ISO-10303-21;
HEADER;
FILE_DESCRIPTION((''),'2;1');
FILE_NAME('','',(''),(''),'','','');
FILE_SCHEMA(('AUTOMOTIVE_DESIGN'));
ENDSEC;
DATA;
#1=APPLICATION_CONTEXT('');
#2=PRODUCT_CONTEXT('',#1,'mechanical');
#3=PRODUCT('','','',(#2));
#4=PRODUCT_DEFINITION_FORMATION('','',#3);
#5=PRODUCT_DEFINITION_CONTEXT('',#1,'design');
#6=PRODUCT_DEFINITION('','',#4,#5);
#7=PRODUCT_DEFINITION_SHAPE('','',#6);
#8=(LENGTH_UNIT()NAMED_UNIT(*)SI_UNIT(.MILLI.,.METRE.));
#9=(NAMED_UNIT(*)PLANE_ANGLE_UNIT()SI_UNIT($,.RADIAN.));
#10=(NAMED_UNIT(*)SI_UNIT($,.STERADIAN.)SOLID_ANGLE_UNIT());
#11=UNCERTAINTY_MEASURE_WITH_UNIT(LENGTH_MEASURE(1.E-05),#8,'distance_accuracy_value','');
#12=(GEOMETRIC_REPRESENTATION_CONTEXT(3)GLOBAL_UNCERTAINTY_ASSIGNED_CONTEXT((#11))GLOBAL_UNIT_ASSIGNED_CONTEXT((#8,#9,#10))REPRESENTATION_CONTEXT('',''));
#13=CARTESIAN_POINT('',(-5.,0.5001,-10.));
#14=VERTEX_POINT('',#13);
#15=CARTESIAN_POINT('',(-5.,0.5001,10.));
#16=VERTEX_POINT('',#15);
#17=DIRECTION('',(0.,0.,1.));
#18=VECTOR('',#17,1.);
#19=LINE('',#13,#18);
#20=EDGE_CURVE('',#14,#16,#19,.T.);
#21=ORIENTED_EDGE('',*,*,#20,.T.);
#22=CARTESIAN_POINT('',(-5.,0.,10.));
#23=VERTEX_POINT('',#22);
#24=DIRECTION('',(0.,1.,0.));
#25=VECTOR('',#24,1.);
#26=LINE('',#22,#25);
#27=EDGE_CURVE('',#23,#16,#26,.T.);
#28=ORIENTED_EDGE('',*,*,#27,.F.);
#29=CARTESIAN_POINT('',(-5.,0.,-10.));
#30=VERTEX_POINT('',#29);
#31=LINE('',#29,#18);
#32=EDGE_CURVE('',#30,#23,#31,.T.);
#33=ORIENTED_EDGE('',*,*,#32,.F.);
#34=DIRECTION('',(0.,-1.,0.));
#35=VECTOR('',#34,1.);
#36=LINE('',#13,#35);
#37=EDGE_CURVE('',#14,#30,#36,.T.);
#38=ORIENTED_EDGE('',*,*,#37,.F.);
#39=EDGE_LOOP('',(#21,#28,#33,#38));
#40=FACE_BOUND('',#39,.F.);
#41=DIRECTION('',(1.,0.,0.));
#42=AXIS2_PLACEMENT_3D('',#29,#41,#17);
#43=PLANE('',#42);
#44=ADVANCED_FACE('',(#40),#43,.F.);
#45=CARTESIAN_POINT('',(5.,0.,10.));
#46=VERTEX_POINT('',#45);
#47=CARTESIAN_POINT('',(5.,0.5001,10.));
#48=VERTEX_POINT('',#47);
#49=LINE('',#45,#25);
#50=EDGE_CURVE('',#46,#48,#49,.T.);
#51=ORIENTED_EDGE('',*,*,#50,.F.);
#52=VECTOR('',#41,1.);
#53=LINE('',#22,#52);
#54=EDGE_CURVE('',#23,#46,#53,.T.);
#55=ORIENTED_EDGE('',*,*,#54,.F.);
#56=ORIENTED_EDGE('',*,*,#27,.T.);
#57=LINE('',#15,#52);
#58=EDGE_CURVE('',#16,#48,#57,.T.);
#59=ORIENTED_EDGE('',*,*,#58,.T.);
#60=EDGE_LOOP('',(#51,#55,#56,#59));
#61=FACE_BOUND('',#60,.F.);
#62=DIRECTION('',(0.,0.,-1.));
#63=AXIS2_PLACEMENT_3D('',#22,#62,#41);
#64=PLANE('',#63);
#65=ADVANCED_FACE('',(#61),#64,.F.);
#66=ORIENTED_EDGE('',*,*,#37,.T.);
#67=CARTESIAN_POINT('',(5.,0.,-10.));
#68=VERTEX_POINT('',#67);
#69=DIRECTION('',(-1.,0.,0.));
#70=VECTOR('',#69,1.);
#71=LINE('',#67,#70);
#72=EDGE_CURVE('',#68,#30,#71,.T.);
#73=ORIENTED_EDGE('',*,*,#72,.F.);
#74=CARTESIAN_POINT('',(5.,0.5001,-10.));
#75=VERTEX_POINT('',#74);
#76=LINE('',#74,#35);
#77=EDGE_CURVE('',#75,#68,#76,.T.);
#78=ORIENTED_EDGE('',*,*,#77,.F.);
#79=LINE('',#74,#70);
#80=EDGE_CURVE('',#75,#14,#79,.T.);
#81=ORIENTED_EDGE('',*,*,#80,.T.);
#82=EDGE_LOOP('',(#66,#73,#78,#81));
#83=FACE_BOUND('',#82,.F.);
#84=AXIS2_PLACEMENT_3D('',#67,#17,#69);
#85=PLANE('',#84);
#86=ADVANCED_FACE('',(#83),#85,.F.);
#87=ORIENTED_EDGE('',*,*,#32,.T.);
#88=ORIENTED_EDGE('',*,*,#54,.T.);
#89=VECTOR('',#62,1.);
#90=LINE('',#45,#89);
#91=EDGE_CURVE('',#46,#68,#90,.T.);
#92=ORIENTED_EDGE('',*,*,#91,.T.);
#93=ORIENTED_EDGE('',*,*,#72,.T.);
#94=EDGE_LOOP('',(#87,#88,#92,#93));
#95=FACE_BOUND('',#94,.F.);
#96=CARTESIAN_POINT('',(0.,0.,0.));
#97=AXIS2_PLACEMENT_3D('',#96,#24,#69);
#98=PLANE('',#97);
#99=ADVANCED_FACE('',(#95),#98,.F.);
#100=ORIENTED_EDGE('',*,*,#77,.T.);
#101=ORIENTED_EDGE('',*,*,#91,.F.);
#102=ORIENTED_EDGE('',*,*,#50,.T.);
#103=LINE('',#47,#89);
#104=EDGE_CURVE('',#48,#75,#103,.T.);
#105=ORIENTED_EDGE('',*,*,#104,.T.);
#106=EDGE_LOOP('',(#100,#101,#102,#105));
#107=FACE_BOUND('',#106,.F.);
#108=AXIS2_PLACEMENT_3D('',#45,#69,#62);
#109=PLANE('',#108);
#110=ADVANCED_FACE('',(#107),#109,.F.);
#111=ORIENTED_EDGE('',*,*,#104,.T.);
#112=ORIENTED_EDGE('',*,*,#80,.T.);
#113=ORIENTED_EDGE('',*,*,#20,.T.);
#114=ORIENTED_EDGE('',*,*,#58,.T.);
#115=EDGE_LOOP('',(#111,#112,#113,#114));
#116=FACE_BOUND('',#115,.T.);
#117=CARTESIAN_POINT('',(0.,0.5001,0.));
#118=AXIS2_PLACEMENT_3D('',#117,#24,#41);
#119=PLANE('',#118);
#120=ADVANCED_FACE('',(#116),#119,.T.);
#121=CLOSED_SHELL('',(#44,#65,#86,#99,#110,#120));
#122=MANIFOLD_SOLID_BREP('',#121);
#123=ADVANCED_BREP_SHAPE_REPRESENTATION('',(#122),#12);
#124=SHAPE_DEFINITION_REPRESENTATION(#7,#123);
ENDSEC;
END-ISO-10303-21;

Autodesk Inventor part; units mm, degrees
ref_plane "YZ Plane" through (0, 0, 0) normal (1, 0, 0) x (0, 1, 0)
ref_plane "XZ Plane" through (0, 0, 0) normal (0, 1, 0) x (-1, 0, 0)
ref_plane "XY Plane" through (0, 0, 0) normal (0, 0, 1) x (1, 0, 0)
sketch "Sketch1" plane through (0, 0, 0) normal (0, 1, 0) x (-1, 0, 0)
  line L0 (5, 10) -> (-5, 10)
  line L1 (-5, 10) -> (-5, -10)
  line L2 (-5, -10) -> (5, -10)
  line L3 (5, -10) -> (5, 10)
  line L4 (5, 10) -> (-5, -10) construction
  line L5 (-5, 10) -> (5, -10) construction
  point P0 (0, 0)
  dimension "d6" = 10
  dimension "d7" = 20
extrude "Extrusion1" add sketch "Sketch1" along normal blind 0.5
sketch "Sketch2" plane through (0, 0.5, 0) normal (0, 1, 0) x (1, 0, 0)
  line L0 (-5, -10) -> (5, -10)
  line L1 (5, -10) -> (5, 10)
  line L2 (5, 10) -> (-5, 10)
  line L3 (-5, 10) -> (-5, -10)
  line L4 (-5, -10) -> (5, 10) construction
  line L5 (5, -10) -> (-5, 10) construction
  point P0 (0, 0)
  dimension "d8" = 10
  dimension "d9" = 20
extrude "Extrusion2" add sketch "Sketch2" along normal blind 0.0001
properties part number "chip-blank-20x20" material "Silicon Nitride"
